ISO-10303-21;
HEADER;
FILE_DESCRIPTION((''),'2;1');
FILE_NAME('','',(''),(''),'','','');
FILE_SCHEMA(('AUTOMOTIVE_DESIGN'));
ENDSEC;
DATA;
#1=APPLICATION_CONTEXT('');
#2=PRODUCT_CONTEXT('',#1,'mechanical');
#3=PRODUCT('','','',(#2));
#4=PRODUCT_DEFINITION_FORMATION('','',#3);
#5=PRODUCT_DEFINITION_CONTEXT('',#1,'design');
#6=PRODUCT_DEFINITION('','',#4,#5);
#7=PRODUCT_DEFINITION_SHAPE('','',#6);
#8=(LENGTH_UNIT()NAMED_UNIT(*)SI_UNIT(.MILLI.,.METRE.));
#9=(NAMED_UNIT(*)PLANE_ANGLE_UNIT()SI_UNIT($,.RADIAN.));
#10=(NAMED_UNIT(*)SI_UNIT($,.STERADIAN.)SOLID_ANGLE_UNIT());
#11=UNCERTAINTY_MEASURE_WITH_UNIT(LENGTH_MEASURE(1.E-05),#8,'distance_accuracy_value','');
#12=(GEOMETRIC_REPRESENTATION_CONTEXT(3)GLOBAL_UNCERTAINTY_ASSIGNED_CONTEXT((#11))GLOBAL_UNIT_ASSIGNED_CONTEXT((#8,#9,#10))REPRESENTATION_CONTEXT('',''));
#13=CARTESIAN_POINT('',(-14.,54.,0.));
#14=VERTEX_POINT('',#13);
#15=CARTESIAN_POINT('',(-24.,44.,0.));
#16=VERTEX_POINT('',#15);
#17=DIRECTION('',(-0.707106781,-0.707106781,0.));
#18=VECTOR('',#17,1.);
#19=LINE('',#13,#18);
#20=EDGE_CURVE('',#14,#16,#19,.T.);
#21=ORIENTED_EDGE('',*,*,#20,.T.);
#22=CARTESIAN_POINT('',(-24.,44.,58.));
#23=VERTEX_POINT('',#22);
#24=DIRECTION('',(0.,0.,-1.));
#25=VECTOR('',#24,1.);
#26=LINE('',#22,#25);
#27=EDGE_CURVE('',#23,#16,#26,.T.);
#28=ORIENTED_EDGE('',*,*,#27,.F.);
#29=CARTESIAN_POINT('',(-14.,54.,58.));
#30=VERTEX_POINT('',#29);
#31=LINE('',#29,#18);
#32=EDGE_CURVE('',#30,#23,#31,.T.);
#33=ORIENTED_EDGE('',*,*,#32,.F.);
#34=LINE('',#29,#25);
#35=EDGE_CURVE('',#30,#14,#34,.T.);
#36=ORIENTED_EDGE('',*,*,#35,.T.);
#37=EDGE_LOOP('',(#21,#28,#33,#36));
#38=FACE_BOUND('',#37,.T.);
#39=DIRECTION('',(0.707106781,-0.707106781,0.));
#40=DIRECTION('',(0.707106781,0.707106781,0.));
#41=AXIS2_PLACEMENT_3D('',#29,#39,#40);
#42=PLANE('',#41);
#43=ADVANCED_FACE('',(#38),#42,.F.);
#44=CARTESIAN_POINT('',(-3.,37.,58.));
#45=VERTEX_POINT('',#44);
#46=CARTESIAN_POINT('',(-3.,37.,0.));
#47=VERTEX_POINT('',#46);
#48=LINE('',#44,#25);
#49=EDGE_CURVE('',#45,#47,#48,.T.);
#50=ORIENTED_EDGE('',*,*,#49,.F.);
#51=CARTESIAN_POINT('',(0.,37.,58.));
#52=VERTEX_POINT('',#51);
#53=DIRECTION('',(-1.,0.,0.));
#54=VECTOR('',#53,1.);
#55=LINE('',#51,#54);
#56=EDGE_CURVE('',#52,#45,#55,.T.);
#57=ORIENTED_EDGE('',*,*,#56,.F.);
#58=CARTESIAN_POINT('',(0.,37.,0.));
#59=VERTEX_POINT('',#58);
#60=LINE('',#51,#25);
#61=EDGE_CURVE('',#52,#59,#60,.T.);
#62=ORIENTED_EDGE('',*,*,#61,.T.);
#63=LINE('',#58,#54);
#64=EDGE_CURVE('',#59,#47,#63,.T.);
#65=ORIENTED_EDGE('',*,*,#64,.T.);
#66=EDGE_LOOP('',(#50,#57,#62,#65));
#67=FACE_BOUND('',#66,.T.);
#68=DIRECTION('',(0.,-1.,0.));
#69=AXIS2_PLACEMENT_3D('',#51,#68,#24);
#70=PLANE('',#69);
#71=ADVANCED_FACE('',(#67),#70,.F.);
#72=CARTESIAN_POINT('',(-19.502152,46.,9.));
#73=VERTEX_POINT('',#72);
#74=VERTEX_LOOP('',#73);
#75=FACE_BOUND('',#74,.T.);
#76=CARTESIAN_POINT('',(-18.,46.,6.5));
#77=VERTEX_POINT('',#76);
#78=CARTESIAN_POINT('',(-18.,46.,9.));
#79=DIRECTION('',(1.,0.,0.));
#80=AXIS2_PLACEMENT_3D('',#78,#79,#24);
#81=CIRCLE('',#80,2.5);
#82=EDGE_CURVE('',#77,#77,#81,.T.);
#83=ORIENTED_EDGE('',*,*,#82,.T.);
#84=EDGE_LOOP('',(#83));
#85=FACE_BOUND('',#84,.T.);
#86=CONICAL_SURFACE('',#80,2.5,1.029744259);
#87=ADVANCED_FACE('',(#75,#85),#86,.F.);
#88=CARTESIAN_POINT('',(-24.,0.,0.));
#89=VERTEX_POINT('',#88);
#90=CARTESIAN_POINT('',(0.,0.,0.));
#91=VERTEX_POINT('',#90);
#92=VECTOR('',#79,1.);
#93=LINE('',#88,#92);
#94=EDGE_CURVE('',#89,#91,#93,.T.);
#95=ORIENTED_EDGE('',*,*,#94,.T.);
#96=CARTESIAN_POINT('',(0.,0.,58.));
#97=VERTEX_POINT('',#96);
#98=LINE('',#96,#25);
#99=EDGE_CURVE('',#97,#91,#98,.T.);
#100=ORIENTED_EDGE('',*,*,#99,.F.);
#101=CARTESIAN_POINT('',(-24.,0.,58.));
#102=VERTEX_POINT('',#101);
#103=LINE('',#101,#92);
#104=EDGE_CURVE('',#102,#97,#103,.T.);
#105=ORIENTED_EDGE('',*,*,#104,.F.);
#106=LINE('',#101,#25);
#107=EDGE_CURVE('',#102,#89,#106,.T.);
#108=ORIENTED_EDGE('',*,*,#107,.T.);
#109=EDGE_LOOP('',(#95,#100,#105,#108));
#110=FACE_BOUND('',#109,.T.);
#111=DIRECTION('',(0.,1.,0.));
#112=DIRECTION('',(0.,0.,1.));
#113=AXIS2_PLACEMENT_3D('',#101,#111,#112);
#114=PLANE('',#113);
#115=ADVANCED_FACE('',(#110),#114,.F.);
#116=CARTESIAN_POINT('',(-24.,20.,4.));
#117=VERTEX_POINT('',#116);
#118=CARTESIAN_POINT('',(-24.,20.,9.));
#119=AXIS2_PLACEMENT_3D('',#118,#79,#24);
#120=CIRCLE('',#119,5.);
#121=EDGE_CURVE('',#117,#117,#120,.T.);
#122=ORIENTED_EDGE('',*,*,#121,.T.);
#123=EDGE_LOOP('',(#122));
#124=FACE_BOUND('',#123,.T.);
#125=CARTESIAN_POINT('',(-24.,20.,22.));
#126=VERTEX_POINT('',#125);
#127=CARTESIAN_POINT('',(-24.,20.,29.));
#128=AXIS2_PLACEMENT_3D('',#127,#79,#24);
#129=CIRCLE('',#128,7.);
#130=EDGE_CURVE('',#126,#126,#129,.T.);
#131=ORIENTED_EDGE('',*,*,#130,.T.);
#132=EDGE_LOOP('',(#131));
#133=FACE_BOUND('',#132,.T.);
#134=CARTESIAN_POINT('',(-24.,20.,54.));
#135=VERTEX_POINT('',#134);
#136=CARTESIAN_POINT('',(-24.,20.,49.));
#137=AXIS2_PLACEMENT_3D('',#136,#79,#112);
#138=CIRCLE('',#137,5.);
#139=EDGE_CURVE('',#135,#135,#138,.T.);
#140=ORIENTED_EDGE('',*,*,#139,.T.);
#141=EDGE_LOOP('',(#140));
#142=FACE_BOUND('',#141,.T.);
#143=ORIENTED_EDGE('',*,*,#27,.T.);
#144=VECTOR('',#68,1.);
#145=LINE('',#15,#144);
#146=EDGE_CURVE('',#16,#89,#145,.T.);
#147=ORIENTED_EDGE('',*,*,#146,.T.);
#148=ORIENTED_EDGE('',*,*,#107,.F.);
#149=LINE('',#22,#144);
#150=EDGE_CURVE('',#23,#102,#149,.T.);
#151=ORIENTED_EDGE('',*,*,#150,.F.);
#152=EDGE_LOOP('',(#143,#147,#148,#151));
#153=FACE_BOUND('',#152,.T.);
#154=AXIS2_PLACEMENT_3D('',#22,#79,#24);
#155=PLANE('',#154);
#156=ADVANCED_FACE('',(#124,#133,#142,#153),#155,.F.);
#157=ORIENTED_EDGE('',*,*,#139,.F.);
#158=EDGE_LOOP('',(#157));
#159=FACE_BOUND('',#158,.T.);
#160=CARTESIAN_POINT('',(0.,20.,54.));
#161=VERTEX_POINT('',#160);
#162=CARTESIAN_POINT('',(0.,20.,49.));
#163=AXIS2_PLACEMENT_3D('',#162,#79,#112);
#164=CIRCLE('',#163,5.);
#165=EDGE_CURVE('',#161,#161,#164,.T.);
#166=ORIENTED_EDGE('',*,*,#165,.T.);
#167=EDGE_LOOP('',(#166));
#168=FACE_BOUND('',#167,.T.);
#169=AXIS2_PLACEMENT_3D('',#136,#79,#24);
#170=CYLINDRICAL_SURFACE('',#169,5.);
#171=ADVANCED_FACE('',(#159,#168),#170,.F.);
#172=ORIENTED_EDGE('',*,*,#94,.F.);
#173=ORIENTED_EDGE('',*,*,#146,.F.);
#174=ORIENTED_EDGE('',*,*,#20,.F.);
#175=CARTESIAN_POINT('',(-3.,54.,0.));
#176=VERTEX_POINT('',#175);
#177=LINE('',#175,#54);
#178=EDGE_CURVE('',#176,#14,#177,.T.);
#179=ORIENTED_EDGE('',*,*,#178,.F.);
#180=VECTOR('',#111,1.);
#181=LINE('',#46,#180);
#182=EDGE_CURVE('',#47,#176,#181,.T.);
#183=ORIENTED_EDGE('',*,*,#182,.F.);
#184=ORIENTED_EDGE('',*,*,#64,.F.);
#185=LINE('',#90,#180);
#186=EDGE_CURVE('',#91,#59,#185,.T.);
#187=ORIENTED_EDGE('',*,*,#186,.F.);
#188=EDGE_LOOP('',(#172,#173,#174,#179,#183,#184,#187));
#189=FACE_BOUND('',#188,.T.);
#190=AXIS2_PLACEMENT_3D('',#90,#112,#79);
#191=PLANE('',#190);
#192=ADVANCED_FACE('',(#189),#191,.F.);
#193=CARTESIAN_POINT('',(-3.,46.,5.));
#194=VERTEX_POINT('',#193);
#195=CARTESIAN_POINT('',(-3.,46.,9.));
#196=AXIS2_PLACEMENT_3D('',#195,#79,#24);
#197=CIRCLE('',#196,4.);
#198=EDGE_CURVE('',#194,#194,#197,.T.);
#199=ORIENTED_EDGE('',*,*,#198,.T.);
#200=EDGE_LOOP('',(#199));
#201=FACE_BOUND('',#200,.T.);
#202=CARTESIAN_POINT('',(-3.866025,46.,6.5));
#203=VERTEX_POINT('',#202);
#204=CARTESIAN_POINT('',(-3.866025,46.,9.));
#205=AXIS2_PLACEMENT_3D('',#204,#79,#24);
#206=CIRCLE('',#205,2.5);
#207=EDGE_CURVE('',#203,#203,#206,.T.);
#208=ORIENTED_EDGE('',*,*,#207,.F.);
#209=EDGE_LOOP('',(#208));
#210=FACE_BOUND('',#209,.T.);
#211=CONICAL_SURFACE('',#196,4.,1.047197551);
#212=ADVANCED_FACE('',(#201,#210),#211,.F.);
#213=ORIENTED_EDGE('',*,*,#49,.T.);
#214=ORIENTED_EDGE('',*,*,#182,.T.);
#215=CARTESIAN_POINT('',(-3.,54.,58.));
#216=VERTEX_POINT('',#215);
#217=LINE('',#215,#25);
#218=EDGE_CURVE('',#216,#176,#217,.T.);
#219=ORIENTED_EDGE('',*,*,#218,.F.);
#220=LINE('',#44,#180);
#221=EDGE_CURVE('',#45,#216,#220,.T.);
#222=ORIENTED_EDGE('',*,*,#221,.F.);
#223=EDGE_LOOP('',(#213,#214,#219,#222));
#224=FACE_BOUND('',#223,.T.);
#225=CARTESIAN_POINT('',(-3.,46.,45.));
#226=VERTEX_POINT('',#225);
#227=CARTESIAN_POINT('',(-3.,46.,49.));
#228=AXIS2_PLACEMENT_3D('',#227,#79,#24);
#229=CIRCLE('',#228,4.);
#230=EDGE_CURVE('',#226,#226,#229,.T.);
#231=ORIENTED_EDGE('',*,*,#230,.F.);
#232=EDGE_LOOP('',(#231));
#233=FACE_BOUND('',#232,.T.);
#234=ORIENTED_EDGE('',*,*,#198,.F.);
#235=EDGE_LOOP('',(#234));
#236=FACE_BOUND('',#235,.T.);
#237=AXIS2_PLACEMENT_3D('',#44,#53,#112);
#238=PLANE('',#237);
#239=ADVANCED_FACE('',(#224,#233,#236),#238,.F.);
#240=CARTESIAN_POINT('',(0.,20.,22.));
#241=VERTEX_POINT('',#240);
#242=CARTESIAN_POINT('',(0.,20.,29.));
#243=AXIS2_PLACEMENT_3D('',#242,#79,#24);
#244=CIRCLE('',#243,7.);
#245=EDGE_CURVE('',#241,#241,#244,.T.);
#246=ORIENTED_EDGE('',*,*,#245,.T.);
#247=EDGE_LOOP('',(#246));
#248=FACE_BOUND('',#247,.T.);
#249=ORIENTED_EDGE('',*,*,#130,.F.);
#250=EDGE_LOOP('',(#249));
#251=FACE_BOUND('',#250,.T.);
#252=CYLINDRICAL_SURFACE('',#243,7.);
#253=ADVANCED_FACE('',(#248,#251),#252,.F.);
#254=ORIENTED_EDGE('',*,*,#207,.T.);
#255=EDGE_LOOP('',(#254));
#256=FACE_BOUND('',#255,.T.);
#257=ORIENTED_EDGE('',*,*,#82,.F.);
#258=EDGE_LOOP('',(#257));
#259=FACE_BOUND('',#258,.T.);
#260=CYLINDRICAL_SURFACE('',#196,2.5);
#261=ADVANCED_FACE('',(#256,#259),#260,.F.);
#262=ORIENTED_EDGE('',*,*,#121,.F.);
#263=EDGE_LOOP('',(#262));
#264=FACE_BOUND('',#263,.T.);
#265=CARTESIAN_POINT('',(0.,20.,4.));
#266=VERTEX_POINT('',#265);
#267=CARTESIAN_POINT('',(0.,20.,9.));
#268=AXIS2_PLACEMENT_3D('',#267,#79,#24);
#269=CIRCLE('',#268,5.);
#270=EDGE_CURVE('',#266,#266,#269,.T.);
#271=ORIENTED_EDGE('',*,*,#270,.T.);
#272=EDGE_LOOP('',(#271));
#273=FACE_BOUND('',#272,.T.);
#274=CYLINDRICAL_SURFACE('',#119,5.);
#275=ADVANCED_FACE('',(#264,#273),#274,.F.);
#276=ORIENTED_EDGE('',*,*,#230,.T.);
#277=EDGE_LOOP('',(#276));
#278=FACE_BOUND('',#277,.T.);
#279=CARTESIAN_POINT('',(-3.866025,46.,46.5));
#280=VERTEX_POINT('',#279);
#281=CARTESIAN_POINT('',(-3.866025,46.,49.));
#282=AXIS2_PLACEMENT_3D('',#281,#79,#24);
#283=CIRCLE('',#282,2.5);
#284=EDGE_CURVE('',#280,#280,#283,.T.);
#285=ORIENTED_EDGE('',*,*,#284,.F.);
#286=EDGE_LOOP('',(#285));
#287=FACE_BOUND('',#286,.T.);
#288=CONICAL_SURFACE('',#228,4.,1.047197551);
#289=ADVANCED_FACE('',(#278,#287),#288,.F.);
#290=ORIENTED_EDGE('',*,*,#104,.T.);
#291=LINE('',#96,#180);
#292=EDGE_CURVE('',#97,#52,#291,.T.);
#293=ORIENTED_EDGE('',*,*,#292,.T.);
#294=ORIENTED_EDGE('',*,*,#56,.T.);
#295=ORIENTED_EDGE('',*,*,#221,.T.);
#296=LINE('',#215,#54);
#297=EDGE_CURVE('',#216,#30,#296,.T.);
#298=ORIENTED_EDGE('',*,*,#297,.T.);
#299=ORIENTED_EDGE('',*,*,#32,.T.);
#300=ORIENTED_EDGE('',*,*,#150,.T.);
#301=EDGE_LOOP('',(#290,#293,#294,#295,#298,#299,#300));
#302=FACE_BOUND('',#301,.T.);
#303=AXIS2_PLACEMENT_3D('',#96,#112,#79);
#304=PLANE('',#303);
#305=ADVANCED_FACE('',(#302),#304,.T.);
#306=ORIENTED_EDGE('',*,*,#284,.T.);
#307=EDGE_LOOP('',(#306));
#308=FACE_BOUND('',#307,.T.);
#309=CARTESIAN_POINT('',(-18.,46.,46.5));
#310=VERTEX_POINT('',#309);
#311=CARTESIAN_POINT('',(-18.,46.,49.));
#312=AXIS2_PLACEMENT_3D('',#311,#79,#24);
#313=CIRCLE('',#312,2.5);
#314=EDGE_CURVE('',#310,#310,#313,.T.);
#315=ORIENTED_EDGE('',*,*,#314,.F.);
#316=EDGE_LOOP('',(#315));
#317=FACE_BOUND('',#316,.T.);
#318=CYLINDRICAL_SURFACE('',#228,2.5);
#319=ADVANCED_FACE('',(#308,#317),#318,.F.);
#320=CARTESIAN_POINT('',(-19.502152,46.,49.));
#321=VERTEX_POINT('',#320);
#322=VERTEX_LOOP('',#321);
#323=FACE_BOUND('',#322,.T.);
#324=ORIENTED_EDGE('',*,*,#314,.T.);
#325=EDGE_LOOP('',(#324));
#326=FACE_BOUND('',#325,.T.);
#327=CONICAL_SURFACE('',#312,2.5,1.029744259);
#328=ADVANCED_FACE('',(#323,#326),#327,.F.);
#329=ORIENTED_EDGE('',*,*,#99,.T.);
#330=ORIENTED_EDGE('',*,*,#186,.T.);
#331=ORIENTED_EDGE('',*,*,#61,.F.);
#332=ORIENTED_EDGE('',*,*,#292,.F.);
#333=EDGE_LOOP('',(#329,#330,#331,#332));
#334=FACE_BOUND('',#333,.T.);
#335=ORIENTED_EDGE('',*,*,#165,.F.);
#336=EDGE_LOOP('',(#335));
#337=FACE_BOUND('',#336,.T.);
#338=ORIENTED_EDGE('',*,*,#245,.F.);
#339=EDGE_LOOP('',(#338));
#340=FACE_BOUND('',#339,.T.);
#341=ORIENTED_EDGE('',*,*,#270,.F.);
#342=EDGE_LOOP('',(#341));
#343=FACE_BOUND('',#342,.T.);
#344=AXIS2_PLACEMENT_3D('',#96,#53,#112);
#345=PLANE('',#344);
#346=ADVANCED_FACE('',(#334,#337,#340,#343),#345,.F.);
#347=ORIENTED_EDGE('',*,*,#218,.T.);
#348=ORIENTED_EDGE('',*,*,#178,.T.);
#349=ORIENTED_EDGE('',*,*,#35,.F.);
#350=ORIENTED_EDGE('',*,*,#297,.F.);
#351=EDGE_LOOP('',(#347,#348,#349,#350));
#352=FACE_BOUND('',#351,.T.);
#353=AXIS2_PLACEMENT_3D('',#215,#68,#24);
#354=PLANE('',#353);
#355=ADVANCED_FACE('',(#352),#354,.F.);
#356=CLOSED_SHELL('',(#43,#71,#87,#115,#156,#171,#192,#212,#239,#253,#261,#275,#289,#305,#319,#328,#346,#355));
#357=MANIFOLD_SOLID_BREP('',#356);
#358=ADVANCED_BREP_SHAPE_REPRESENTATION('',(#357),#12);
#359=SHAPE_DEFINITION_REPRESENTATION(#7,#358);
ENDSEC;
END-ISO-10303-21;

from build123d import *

# Parameters (mm, degrees)
BOSS_EXTRU_1_DEPTH         = 58
ESQUISSE2_R                = 5
ENL_V_MAT_EXTRU_1_DEPTH    = 83.800966178
TROU_TARAUD_M161_D         = 14
R_P_TITION_LIN_AIRE1_COUNT = 2
R_P_TITION_LIN_AIRE1_PITCH = 40


with BuildPart() as part:
    # Esquisse1 → Boss.-Extru.1 (new body)
    with BuildSketch(Plane.XY):
        Polygon((0, 0), (0, 37), (-3, 37), (-3, 54), (-14, 54), (-24, 44), (-24, 0), align=None)
    extrude(amount=BOSS_EXTRU_1_DEPTH)

    # Esquisse2 → Enlèv. mat.-Extru.1 (cut, through all)
    with BuildSketch(Plane(origin=(0, 0, 0), x_dir=(0, 0, -1), z_dir=(1, 0, 0))):
        with Locations((-9, 20)):
            Circle(ESQUISSE2_R)
        with Locations(Location((-49, 20, 0), (0, 0, 180))):
            Circle(ESQUISSE2_R)
    extrude(amount=-ENL_V_MAT_EXTRU_1_DEPTH, mode=Mode.SUBTRACT)

    # Trou taraudé M161 (through all)
    with Locations(Plane(origin=(0, 0, 0), x_dir=(0, 0, -1), z_dir=(1, 0, 0))):
        with Locations((-29, 20)):
            Hole(TROU_TARAUD_M161_D / 2)

    # Esquisse8 → Trou taraudé M61 (revolve, cut)
    with BuildSketch(Plane(origin=(-3, 46, 9), x_dir=(0, 0, -1), z_dir=(0, 1, 0))):
        Polygon((0, 0), (0, 16.502151548), (2.5, 15), (2.5, 0.866025404), (4, 0), align=None)
    trou_taraud_m61 = revolve(axis=Axis((3.35, 46, 9), (-1, 0, 0)), mode=Mode.SUBTRACT)

    # Répétition linéaire1: Trou taraudé M61 ×2
    with Locations(*[(0, 0, i * R_P_TITION_LIN_AIRE1_PITCH) for i in range(1, R_P_TITION_LIN_AIRE1_COUNT)]):
        add(trou_taraud_m61, mode=Mode.SUBTRACT)


solid = part.part
